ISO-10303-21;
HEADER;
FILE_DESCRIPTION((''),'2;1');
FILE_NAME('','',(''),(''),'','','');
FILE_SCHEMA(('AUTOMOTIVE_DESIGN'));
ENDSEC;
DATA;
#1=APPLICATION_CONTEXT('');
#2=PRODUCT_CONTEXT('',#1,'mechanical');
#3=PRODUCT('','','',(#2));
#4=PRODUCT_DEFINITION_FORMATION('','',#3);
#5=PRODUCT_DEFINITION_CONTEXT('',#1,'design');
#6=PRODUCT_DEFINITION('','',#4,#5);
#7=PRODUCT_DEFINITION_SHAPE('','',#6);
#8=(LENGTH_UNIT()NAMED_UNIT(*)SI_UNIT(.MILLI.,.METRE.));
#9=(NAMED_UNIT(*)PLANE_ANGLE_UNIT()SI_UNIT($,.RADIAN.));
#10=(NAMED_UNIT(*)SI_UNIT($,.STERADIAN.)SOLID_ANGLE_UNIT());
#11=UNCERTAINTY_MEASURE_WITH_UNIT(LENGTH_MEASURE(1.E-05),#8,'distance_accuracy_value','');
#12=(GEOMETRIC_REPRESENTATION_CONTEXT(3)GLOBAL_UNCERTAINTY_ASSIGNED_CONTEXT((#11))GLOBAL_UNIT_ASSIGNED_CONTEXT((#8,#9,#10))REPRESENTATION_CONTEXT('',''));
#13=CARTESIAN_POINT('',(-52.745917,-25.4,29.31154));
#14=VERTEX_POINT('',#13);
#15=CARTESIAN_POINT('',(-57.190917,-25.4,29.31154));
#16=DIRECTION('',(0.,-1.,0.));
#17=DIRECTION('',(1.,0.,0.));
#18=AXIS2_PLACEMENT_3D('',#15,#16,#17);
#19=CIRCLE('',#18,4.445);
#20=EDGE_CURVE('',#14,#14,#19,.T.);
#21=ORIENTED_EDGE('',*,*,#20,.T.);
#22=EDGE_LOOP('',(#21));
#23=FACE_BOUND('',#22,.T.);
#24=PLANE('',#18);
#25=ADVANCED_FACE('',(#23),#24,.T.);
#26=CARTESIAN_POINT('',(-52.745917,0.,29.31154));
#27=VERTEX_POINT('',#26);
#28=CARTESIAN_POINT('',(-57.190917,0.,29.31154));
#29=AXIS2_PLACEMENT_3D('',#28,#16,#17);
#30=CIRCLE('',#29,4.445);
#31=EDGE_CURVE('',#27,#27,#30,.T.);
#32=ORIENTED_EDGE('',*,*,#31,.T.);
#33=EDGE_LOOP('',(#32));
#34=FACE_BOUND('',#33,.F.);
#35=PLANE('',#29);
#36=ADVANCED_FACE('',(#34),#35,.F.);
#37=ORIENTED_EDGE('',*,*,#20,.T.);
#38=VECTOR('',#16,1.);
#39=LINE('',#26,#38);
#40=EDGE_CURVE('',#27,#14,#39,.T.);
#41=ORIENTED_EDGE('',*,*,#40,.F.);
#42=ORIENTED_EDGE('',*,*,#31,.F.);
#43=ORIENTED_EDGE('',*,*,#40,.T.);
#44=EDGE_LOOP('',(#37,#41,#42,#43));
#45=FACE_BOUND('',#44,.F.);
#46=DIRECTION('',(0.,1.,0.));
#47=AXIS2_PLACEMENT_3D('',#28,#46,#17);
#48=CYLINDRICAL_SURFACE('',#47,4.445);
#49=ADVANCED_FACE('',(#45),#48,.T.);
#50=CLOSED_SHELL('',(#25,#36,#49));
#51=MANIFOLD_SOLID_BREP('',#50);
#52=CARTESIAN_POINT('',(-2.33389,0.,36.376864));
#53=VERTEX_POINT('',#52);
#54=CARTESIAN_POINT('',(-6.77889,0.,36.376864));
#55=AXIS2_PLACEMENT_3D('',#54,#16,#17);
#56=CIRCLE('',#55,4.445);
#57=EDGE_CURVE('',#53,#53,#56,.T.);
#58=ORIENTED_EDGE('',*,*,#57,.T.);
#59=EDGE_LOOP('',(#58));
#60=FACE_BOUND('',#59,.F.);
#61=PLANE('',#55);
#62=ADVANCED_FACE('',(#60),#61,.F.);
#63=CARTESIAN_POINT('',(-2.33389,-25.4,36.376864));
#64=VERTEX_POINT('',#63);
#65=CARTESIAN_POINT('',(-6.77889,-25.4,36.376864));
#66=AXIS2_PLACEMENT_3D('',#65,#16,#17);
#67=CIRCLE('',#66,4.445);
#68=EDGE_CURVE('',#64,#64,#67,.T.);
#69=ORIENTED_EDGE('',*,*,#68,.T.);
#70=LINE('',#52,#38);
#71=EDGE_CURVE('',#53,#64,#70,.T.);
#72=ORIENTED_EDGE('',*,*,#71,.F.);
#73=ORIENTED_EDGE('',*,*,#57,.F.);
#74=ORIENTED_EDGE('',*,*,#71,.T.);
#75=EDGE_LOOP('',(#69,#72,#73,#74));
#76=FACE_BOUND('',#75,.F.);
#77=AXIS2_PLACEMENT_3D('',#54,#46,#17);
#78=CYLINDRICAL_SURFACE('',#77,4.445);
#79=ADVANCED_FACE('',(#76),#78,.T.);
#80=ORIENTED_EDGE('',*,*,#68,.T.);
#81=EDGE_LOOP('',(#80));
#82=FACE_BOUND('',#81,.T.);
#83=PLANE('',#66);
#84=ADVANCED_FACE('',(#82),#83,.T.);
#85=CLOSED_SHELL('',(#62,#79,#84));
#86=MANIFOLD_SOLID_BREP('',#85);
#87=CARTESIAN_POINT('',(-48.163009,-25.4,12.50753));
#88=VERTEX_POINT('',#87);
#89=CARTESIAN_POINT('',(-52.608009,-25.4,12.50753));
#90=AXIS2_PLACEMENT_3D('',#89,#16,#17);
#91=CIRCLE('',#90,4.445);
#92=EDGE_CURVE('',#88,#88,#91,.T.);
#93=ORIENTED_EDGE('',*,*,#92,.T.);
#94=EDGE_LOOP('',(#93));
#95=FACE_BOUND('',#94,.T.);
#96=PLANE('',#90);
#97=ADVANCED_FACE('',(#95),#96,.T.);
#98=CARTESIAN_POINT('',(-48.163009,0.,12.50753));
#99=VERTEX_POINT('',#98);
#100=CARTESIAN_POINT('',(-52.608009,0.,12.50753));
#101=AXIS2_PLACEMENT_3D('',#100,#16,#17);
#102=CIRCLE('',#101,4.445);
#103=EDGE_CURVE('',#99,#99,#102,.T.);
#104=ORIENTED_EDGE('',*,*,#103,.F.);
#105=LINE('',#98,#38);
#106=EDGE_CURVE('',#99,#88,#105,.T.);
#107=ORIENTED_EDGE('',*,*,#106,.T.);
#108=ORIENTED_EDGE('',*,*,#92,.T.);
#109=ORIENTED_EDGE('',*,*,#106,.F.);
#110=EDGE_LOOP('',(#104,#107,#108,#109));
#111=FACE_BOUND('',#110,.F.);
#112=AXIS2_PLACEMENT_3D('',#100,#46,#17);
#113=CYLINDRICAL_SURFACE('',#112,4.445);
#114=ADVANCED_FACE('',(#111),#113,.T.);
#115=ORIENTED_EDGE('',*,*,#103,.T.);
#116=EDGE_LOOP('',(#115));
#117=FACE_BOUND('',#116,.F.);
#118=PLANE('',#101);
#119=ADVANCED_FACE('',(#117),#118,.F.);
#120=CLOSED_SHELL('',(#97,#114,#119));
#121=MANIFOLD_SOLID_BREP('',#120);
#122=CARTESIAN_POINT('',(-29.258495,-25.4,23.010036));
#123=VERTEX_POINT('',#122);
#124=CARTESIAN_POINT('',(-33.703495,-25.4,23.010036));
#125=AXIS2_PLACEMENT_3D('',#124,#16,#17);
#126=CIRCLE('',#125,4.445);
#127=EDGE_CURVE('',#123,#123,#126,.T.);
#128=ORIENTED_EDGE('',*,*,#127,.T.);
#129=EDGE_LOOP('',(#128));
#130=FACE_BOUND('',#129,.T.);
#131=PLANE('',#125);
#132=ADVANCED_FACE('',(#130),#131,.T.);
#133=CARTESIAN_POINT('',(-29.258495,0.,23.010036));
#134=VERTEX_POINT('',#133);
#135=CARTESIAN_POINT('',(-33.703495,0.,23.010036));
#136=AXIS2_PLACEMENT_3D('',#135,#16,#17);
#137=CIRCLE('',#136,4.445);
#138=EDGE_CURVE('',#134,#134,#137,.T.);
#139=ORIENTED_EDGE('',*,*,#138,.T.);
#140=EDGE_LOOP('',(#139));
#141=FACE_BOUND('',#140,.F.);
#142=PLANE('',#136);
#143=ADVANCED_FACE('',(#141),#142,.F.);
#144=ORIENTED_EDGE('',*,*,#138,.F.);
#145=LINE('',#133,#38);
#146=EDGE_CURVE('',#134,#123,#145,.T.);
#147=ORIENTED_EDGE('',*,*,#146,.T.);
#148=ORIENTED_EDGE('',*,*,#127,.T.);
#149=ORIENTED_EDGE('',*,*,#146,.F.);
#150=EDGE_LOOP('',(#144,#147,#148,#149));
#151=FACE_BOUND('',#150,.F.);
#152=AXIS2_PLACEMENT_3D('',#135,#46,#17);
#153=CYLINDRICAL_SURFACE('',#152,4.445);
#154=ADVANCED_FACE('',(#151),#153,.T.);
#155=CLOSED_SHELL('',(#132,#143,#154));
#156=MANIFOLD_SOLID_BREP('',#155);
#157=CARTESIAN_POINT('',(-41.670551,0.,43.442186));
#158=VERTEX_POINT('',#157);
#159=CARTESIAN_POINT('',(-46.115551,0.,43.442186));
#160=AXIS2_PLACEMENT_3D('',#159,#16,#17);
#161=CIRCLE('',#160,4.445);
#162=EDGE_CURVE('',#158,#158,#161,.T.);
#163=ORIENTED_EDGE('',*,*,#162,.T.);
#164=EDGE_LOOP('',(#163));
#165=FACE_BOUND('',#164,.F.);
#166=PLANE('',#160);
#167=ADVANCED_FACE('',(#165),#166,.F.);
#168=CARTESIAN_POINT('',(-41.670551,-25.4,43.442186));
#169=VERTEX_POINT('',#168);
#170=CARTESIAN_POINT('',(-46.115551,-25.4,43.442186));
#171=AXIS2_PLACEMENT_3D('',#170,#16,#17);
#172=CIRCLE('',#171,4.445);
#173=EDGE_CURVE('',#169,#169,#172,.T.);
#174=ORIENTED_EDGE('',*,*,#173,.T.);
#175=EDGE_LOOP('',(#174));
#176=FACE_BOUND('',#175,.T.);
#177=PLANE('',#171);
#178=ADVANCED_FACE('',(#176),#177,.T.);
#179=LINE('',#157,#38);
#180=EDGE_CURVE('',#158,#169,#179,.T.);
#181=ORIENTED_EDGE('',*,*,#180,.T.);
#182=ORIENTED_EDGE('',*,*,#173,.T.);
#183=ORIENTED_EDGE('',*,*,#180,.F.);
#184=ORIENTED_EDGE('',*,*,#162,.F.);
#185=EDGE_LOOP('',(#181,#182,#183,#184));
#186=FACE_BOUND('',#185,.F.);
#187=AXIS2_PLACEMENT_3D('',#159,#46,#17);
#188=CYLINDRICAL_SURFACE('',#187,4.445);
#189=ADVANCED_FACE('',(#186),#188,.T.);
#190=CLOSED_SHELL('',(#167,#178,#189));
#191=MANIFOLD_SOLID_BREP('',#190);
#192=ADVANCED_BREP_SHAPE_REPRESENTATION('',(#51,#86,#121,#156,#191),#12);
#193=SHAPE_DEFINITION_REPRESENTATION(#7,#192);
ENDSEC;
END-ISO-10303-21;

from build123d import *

# Parameters (mm, degrees)
F0_R     = 4.445
F1_DEPTH = 25.4


with BuildPart() as f1:
    # F0 (on Front) → F1 (new body)
    with BuildSketch(Plane.XZ):
        with Locations((-33.703495, 23.010036)):
            Circle(F0_R)
        with Locations((-6.77889, 36.376864)):
            Circle(F0_R)
        with Locations((-46.115551, 43.442186)):
            Circle(F0_R)
        with Locations((-57.190917, 29.31154)):
            Circle(F0_R)
        with Locations((-52.608009, 12.50753)):
            Circle(F0_R)
    extrude(amount=F1_DEPTH)


solid = f1.part
